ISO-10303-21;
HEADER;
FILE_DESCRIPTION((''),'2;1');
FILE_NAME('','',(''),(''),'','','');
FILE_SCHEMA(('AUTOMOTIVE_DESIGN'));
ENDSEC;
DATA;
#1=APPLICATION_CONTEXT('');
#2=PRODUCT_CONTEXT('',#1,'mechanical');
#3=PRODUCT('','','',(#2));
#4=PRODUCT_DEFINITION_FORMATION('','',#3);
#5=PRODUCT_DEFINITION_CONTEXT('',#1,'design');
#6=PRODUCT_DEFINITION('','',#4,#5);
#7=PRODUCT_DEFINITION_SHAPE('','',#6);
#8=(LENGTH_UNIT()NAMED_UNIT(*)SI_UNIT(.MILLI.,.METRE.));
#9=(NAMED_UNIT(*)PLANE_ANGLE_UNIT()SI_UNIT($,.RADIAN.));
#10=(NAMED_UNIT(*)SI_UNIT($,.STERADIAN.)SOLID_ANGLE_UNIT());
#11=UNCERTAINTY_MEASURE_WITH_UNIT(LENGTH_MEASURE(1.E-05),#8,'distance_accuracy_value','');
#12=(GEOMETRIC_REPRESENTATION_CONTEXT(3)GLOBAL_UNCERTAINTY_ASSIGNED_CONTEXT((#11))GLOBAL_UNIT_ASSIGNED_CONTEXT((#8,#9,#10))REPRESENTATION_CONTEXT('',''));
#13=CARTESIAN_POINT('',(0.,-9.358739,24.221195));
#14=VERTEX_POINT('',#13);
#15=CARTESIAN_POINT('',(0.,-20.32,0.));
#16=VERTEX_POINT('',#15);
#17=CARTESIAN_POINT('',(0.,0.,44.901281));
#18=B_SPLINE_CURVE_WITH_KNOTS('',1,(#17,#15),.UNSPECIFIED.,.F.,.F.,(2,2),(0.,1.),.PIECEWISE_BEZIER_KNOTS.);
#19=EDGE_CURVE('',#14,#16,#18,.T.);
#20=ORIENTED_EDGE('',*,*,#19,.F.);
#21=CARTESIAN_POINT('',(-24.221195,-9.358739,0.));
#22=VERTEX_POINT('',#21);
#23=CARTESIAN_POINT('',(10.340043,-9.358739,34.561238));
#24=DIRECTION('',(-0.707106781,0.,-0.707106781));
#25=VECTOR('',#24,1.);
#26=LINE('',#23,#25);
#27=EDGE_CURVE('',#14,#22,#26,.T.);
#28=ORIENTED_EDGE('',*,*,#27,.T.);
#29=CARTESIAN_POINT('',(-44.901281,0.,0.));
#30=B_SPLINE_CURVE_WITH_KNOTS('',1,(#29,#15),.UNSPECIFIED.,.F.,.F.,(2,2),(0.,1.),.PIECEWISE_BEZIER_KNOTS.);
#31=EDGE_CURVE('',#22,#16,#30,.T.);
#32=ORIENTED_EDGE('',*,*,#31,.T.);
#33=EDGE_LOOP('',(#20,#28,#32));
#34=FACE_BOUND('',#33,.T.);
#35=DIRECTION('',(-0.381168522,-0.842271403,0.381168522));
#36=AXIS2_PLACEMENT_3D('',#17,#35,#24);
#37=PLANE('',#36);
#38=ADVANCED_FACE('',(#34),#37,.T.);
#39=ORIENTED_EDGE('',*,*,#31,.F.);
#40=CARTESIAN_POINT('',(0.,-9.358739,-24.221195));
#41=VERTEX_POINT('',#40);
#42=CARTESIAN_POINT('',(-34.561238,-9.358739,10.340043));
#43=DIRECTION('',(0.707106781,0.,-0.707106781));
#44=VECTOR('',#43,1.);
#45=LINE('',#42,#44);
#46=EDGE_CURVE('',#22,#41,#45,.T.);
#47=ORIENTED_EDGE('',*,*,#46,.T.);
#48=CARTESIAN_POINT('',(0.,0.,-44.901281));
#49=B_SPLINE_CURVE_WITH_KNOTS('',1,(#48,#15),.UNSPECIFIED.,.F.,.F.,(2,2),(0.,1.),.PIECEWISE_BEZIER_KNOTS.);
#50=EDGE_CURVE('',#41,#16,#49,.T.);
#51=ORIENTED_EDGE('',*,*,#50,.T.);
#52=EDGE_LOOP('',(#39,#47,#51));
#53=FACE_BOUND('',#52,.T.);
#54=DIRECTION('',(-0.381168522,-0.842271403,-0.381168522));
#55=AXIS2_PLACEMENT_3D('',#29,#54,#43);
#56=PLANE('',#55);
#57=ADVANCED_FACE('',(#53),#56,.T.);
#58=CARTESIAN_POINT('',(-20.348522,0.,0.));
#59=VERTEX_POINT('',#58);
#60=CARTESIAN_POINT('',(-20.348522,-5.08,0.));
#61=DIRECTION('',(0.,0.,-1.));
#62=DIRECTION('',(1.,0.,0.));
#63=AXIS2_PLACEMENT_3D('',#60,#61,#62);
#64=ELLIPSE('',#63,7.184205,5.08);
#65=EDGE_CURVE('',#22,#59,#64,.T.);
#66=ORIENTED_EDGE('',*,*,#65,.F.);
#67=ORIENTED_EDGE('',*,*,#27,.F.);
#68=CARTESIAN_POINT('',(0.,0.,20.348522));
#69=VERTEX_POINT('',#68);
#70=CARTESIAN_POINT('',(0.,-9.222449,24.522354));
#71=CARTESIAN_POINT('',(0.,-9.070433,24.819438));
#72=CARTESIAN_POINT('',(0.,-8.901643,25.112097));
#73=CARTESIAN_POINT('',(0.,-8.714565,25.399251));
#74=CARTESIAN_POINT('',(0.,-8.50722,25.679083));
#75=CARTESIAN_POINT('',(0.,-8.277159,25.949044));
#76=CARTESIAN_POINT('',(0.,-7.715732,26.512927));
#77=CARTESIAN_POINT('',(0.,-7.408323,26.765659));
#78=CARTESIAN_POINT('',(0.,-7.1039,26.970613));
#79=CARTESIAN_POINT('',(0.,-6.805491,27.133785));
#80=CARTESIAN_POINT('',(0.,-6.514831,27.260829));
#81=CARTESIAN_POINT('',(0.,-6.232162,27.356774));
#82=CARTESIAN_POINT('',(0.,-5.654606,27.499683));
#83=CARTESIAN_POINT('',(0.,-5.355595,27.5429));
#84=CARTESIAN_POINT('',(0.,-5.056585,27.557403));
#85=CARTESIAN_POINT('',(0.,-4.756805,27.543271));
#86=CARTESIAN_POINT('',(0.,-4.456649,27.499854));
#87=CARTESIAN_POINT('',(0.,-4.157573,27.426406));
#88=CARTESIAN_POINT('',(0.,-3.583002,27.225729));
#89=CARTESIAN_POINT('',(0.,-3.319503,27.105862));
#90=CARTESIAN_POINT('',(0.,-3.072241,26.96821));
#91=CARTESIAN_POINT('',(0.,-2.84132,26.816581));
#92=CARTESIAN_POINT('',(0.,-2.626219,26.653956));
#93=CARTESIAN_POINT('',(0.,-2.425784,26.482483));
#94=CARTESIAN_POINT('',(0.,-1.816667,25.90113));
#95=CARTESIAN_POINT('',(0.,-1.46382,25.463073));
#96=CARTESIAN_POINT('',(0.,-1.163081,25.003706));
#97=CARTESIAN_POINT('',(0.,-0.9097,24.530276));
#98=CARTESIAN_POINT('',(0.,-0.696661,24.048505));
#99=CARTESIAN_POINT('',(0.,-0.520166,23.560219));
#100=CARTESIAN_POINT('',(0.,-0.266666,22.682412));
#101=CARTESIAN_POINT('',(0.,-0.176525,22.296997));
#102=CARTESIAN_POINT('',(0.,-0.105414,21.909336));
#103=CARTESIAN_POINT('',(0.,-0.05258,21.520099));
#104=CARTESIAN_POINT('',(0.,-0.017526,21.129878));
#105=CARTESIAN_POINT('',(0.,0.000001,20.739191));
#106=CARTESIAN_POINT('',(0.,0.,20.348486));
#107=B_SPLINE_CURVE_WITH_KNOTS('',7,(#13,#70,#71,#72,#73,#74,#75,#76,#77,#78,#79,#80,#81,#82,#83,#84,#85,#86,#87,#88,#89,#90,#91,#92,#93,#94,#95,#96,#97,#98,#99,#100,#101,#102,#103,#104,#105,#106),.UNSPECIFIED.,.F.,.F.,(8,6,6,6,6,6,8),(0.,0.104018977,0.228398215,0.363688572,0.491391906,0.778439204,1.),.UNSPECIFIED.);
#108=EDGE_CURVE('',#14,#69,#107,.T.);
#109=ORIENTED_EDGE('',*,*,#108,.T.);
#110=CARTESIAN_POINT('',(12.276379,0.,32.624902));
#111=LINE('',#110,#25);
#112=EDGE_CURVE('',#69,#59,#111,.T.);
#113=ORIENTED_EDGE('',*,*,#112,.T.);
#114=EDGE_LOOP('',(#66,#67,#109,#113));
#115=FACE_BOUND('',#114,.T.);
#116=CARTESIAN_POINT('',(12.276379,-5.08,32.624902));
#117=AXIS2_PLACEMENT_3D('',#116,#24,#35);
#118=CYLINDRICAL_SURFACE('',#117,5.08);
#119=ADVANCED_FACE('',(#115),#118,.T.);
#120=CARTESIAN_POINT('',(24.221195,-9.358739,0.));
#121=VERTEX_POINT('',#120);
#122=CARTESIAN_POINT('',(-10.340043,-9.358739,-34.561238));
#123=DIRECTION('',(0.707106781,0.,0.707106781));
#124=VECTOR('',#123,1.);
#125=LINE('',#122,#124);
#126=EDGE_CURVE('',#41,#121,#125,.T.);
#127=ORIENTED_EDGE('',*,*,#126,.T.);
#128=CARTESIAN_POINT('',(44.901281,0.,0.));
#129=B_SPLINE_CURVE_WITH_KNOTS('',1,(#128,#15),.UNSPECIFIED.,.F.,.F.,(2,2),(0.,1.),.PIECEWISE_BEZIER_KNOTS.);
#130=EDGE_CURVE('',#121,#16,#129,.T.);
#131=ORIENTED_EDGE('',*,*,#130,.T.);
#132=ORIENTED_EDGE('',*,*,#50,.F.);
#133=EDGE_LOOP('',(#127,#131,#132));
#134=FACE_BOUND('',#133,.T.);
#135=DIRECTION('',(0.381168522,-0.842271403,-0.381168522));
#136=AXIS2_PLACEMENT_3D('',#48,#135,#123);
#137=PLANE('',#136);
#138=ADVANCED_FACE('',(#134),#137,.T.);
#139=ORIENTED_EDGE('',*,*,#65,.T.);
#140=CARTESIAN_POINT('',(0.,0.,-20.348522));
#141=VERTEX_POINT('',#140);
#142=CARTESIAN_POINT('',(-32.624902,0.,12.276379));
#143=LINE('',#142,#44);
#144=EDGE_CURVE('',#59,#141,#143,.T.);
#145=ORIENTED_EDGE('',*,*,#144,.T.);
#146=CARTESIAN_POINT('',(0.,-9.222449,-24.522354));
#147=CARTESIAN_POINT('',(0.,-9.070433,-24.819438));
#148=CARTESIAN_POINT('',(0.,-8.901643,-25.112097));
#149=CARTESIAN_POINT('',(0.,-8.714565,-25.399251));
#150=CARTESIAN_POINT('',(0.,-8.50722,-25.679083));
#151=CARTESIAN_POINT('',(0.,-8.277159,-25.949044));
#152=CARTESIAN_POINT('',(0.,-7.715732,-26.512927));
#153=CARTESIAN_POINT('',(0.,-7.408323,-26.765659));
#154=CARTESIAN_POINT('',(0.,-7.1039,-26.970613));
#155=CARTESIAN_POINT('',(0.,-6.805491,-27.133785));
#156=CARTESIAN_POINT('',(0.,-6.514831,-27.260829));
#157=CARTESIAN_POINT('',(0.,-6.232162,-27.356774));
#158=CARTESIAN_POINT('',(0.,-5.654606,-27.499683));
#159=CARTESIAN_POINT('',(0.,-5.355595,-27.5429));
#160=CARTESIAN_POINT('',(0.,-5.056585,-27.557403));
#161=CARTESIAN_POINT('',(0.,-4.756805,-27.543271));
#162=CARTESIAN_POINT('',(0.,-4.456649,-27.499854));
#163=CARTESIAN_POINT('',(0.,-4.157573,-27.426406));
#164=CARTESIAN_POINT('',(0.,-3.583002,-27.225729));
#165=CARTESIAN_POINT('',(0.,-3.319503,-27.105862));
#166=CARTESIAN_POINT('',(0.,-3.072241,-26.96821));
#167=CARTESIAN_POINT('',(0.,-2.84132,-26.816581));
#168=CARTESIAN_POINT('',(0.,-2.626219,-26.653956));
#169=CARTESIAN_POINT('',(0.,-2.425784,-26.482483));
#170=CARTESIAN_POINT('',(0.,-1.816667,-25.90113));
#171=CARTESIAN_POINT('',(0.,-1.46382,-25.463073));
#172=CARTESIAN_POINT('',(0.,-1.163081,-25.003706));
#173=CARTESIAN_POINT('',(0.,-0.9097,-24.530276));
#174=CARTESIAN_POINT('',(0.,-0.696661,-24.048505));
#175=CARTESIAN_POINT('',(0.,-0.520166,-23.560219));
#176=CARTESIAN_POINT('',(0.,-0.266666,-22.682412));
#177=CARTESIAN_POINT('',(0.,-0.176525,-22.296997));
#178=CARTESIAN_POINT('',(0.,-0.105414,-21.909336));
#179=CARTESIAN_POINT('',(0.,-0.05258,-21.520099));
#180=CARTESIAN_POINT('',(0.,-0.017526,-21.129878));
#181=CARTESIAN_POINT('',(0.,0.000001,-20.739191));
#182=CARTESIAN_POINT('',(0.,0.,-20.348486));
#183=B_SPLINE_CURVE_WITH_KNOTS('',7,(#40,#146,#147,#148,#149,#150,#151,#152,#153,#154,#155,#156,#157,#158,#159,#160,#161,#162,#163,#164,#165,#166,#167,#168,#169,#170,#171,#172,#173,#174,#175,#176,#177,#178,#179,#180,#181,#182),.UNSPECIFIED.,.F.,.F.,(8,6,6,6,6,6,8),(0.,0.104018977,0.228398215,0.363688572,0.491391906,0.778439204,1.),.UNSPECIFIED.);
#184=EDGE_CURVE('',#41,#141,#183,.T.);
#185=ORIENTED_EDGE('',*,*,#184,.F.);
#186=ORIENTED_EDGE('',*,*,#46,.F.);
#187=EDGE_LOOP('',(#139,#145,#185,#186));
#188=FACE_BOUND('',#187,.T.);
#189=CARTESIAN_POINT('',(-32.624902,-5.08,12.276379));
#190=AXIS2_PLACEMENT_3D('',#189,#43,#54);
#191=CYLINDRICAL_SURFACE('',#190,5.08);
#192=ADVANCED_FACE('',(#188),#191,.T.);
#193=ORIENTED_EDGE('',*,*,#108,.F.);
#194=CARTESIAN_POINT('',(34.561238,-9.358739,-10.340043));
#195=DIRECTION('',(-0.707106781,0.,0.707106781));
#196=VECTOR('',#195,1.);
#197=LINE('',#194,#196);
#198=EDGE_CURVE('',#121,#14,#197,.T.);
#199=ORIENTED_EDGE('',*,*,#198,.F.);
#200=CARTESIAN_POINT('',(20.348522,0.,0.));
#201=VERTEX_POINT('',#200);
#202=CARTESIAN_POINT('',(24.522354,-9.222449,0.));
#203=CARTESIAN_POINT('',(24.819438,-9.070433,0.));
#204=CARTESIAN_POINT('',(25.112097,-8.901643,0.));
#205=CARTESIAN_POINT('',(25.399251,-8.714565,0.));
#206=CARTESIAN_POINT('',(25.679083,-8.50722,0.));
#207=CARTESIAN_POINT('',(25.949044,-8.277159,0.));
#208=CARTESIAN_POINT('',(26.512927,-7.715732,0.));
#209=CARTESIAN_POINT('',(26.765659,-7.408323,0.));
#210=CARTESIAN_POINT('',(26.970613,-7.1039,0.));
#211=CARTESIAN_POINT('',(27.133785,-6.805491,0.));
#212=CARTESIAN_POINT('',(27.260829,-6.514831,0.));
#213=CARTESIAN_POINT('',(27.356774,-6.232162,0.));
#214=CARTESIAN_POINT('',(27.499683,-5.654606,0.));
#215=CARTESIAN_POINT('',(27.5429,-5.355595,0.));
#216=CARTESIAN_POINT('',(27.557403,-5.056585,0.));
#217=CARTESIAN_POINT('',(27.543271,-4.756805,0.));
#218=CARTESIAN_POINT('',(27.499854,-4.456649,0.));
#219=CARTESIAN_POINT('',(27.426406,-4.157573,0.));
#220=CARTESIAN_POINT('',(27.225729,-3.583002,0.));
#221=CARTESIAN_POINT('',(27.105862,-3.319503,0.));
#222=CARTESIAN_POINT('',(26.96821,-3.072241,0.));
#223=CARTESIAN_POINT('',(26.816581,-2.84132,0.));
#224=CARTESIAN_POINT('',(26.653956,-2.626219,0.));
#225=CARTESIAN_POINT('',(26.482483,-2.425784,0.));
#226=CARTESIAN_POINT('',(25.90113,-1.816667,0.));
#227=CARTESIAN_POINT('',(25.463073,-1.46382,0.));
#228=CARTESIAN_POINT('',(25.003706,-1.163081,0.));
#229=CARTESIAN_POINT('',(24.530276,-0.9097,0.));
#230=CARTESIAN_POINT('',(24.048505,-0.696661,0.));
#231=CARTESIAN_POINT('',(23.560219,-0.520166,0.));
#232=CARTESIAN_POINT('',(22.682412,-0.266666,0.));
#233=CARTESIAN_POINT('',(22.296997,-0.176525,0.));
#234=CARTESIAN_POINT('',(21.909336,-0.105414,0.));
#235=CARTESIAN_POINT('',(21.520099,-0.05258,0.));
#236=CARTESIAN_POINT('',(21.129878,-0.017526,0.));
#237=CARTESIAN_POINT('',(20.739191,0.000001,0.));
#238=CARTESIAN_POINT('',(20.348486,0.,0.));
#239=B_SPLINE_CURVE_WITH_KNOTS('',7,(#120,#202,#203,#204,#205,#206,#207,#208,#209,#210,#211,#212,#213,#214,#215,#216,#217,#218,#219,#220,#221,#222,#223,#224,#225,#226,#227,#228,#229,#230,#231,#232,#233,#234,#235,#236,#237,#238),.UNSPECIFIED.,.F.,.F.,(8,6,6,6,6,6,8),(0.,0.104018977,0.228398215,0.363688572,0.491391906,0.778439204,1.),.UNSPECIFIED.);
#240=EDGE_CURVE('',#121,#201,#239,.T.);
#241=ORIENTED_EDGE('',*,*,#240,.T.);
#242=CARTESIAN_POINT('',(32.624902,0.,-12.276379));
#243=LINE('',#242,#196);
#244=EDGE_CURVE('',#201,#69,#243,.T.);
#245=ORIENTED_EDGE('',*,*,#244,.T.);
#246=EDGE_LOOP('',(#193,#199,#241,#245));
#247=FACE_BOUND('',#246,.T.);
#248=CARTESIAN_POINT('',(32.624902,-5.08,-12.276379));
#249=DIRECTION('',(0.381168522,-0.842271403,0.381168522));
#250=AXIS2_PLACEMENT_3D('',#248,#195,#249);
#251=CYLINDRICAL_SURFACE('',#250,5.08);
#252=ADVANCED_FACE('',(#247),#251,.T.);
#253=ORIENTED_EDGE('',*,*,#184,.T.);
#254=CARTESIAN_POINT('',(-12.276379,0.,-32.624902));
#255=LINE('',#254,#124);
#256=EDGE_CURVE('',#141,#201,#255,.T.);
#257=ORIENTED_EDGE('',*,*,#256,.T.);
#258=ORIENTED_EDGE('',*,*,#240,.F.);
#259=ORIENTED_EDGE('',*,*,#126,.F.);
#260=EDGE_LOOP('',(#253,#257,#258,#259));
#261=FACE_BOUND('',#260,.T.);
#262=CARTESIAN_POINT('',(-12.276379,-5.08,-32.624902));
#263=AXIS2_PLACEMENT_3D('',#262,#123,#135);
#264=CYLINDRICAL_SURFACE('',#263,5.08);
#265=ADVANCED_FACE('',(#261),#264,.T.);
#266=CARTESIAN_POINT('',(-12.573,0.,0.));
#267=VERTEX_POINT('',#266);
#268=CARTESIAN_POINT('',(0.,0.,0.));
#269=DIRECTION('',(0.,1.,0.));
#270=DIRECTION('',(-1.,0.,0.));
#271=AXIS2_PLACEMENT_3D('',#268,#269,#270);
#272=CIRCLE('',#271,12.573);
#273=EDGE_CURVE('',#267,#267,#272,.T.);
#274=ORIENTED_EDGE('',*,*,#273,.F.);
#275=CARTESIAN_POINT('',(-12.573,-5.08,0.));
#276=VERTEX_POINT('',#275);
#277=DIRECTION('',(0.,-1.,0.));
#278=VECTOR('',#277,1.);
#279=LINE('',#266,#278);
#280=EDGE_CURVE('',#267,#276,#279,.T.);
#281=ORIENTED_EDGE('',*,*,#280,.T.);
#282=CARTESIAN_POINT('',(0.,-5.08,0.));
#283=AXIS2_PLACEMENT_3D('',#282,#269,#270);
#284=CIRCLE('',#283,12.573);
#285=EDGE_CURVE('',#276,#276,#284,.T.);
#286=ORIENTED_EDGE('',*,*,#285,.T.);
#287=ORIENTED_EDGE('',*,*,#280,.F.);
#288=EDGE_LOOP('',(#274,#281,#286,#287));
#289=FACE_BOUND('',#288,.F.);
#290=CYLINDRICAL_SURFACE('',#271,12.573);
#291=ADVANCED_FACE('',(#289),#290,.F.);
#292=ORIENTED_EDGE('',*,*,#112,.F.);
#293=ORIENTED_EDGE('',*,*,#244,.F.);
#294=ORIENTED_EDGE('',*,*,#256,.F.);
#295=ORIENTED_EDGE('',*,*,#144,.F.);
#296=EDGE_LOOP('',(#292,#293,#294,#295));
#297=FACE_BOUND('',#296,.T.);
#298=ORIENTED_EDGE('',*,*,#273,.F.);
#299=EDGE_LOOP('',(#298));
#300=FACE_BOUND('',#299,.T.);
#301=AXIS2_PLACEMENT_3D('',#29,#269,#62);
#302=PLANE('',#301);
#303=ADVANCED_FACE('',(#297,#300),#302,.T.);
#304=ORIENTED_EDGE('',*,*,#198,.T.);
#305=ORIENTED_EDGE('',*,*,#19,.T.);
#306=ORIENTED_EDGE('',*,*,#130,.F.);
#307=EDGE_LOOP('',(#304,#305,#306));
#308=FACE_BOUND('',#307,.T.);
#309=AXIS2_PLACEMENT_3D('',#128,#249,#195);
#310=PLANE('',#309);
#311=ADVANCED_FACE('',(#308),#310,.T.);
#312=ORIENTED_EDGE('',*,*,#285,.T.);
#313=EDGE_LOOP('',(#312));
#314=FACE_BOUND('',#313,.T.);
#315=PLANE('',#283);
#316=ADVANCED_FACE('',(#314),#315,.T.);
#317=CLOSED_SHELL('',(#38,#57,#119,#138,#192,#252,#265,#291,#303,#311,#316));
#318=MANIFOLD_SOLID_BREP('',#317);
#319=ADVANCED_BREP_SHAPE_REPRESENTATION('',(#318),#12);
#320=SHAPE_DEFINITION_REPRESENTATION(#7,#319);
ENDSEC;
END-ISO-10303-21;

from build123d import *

# Parameters (mm, degrees)
F3_R     = 5.08
F4_R     = 12.573
F5_DEPTH = 5.08


with BuildPart() as f2:
    # F0 (on Front) → F2 section 0
    with BuildSketch(Plane.XZ, mode=Mode.PRIVATE) as f2_s0:
        Polygon((-44.901281, 0), (0, -44.901281), (44.901281, 0), (0, 44.901281), align=None)
    loft([f2_s0.sketch, Vertex(0, -20.32, 0)])

    # F3
    f3_edges = [f2.edges().sort_by_distance(p)[0] for p in [
        (-22.45064, 0, -22.45064),
        (22.45064, 0, -22.45064),
        (22.45064, 0, 22.45064),
        (-22.45064, 0, 22.45064),
    ]]
    fillet(f3_edges, radius=F3_R)

    # F4 (on face) → F5 (cut)
    with BuildSketch(Plane(origin=(0, 0, 0), x_dir=(-1, 0, 0), z_dir=(0, 1, 0))):
        Circle(F4_R)
    extrude(amount=-F5_DEPTH, mode=Mode.SUBTRACT)


solid = f2.part
